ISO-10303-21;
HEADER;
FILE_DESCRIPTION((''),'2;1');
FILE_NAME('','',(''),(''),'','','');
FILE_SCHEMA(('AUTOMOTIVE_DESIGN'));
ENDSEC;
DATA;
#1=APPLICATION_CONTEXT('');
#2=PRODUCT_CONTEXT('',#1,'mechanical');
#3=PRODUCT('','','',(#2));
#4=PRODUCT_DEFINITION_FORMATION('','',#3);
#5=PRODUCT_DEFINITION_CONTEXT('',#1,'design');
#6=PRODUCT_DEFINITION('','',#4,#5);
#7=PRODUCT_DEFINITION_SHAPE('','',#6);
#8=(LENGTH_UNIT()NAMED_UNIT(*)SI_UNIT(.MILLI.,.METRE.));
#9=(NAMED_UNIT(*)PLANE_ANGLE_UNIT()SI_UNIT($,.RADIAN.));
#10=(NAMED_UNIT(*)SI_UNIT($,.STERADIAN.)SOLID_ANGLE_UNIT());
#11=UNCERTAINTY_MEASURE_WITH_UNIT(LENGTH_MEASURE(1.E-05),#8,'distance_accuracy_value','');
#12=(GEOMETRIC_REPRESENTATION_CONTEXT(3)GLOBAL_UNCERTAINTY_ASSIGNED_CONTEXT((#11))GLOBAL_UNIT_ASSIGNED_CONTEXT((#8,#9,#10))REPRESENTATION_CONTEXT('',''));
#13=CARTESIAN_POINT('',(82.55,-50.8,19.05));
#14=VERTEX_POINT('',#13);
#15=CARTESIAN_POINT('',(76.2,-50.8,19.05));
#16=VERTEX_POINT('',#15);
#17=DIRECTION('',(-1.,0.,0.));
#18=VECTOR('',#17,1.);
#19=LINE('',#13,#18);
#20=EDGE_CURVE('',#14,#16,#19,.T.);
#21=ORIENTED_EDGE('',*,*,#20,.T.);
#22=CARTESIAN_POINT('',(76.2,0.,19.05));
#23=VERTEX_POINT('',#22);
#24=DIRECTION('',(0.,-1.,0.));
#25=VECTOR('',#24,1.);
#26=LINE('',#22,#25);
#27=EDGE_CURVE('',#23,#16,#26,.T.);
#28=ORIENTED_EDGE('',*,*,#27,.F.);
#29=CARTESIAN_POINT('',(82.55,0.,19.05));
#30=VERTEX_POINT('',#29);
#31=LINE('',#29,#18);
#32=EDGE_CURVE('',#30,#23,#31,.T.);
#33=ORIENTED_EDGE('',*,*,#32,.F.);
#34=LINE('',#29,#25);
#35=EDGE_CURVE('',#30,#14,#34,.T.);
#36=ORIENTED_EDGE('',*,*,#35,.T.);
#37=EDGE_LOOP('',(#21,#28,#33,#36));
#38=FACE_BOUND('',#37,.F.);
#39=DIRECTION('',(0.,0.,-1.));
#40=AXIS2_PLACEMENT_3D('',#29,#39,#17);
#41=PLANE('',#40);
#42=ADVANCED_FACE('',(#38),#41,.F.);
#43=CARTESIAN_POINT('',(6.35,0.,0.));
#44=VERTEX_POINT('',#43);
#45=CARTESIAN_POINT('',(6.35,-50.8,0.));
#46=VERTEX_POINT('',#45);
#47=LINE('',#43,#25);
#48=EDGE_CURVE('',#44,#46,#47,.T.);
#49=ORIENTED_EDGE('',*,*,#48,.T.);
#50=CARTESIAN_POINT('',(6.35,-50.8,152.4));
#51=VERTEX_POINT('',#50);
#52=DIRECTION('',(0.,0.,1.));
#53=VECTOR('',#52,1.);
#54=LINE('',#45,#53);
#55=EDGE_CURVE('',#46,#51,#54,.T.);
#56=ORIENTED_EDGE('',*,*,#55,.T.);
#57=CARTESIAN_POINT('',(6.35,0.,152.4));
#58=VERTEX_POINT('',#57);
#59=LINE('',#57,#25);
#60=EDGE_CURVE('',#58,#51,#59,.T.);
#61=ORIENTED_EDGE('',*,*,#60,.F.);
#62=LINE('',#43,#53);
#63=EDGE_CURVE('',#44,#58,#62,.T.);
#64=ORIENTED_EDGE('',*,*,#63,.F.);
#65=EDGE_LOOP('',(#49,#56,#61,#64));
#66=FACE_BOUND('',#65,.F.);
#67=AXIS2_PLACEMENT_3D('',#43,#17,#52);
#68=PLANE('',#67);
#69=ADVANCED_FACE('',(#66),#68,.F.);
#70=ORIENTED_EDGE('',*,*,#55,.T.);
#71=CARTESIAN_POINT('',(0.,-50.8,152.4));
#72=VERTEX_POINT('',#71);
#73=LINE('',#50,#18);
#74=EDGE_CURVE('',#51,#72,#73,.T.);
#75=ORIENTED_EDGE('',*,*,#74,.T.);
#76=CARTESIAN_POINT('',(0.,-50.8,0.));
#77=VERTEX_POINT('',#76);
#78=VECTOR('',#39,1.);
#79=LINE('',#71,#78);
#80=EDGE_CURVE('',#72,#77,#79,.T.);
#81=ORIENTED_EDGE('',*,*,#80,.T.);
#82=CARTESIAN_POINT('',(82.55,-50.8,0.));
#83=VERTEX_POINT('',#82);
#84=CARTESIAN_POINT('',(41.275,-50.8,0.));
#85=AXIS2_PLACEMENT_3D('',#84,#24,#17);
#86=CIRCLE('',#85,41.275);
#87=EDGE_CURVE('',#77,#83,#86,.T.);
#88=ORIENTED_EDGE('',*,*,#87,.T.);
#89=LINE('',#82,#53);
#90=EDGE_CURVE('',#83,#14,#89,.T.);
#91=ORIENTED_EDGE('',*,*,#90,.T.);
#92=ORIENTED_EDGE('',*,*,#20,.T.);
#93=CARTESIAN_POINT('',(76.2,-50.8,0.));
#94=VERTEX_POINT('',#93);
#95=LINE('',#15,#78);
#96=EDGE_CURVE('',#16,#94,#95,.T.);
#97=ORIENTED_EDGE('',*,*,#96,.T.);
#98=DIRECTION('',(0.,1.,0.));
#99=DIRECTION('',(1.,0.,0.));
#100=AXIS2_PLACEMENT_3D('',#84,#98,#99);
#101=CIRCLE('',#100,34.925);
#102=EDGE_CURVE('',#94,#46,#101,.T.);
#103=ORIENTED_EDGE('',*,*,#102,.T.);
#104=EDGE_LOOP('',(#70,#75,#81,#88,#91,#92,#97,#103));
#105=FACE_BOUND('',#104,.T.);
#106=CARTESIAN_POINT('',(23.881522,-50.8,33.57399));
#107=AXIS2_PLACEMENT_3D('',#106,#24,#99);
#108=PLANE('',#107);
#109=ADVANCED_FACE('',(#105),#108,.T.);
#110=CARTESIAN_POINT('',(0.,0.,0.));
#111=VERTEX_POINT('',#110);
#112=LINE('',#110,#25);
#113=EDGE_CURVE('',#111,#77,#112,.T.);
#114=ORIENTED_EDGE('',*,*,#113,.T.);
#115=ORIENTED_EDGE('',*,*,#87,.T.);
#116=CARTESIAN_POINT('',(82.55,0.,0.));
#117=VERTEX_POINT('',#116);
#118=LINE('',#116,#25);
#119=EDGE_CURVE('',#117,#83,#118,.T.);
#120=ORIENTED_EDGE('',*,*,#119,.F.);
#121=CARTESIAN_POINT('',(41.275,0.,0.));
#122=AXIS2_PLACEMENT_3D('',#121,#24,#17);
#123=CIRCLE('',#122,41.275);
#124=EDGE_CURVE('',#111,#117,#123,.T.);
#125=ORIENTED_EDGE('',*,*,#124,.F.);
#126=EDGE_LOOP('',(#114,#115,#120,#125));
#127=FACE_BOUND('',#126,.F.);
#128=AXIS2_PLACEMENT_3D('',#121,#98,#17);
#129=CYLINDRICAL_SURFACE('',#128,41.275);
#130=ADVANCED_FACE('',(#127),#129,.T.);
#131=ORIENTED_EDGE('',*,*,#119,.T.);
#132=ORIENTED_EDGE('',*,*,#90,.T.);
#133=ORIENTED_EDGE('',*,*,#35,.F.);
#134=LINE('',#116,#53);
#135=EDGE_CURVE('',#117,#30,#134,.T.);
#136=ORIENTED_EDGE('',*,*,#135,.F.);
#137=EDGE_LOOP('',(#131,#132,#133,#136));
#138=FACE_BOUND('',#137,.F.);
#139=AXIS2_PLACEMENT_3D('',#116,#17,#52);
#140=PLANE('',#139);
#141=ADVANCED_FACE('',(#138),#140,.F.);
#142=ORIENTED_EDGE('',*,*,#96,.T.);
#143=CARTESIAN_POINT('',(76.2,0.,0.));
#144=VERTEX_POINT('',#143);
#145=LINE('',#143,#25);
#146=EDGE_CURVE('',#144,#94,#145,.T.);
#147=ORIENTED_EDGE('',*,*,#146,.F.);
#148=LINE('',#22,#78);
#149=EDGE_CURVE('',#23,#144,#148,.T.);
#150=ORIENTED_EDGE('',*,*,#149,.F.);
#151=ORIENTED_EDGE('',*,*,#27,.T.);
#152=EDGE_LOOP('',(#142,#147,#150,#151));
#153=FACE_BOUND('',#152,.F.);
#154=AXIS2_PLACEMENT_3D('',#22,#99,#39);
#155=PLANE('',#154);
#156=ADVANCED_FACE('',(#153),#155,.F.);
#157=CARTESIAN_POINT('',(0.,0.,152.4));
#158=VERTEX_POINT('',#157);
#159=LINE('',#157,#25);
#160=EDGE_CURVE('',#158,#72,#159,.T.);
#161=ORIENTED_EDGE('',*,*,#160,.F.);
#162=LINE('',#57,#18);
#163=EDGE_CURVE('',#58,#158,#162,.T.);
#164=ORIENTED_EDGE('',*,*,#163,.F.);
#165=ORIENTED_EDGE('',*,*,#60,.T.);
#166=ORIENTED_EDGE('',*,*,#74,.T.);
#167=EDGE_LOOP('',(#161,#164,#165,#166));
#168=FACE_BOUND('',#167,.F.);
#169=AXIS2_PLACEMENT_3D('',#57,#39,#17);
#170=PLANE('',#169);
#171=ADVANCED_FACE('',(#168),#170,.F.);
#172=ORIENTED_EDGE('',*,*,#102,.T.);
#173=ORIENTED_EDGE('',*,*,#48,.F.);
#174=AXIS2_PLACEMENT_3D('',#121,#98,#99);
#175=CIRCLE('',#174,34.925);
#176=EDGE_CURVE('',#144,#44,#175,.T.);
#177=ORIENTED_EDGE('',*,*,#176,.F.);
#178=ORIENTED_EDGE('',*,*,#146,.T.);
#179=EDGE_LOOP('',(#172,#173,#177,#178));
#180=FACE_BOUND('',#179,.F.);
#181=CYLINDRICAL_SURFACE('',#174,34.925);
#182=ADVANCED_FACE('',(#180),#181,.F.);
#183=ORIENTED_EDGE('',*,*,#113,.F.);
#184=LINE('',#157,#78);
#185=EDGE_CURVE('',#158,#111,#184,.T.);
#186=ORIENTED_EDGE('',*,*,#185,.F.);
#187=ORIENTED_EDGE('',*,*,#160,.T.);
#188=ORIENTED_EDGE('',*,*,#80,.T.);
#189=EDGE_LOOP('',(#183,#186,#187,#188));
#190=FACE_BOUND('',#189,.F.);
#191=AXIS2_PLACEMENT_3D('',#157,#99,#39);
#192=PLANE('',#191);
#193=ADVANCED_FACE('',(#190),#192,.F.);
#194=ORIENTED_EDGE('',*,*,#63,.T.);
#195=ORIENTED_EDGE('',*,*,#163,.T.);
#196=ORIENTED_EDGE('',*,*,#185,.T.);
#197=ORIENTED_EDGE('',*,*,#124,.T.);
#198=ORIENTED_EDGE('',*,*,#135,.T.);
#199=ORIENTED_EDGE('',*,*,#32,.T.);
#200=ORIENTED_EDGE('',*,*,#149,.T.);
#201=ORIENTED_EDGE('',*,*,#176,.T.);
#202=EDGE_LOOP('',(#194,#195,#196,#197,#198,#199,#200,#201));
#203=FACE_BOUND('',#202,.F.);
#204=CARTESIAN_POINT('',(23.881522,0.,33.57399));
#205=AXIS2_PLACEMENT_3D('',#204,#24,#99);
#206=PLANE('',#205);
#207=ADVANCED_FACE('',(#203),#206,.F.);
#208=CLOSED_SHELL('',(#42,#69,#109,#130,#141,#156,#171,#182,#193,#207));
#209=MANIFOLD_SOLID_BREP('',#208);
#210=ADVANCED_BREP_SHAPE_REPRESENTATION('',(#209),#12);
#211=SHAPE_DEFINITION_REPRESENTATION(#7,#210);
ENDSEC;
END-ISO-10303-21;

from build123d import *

# Parameters (mm, degrees)
F1_DEPTH = 50.8


with BuildPart() as f1:
    # F0 (on Front) → F1 (new body)
    with BuildSketch(Plane.XZ):
        with BuildLine():
            Line((0, 152.4), (0, 0))
            ThreePointArc((0, 0), (41.275, -41.275), (82.55, 0))
            Line((82.55, 0), (82.55, 19.05))
            Line((82.55, 19.05), (76.2, 19.05))
            Line((76.2, 19.05), (76.2, 0))
            ThreePointArc((76.2, 0), (41.275, -34.925), (6.35, 0))
            Line((6.35, 0), (6.35, 152.4))
            Line((6.35, 152.4), (0, 152.4))
        make_face()
    extrude(amount=F1_DEPTH)


solid = f1.part
